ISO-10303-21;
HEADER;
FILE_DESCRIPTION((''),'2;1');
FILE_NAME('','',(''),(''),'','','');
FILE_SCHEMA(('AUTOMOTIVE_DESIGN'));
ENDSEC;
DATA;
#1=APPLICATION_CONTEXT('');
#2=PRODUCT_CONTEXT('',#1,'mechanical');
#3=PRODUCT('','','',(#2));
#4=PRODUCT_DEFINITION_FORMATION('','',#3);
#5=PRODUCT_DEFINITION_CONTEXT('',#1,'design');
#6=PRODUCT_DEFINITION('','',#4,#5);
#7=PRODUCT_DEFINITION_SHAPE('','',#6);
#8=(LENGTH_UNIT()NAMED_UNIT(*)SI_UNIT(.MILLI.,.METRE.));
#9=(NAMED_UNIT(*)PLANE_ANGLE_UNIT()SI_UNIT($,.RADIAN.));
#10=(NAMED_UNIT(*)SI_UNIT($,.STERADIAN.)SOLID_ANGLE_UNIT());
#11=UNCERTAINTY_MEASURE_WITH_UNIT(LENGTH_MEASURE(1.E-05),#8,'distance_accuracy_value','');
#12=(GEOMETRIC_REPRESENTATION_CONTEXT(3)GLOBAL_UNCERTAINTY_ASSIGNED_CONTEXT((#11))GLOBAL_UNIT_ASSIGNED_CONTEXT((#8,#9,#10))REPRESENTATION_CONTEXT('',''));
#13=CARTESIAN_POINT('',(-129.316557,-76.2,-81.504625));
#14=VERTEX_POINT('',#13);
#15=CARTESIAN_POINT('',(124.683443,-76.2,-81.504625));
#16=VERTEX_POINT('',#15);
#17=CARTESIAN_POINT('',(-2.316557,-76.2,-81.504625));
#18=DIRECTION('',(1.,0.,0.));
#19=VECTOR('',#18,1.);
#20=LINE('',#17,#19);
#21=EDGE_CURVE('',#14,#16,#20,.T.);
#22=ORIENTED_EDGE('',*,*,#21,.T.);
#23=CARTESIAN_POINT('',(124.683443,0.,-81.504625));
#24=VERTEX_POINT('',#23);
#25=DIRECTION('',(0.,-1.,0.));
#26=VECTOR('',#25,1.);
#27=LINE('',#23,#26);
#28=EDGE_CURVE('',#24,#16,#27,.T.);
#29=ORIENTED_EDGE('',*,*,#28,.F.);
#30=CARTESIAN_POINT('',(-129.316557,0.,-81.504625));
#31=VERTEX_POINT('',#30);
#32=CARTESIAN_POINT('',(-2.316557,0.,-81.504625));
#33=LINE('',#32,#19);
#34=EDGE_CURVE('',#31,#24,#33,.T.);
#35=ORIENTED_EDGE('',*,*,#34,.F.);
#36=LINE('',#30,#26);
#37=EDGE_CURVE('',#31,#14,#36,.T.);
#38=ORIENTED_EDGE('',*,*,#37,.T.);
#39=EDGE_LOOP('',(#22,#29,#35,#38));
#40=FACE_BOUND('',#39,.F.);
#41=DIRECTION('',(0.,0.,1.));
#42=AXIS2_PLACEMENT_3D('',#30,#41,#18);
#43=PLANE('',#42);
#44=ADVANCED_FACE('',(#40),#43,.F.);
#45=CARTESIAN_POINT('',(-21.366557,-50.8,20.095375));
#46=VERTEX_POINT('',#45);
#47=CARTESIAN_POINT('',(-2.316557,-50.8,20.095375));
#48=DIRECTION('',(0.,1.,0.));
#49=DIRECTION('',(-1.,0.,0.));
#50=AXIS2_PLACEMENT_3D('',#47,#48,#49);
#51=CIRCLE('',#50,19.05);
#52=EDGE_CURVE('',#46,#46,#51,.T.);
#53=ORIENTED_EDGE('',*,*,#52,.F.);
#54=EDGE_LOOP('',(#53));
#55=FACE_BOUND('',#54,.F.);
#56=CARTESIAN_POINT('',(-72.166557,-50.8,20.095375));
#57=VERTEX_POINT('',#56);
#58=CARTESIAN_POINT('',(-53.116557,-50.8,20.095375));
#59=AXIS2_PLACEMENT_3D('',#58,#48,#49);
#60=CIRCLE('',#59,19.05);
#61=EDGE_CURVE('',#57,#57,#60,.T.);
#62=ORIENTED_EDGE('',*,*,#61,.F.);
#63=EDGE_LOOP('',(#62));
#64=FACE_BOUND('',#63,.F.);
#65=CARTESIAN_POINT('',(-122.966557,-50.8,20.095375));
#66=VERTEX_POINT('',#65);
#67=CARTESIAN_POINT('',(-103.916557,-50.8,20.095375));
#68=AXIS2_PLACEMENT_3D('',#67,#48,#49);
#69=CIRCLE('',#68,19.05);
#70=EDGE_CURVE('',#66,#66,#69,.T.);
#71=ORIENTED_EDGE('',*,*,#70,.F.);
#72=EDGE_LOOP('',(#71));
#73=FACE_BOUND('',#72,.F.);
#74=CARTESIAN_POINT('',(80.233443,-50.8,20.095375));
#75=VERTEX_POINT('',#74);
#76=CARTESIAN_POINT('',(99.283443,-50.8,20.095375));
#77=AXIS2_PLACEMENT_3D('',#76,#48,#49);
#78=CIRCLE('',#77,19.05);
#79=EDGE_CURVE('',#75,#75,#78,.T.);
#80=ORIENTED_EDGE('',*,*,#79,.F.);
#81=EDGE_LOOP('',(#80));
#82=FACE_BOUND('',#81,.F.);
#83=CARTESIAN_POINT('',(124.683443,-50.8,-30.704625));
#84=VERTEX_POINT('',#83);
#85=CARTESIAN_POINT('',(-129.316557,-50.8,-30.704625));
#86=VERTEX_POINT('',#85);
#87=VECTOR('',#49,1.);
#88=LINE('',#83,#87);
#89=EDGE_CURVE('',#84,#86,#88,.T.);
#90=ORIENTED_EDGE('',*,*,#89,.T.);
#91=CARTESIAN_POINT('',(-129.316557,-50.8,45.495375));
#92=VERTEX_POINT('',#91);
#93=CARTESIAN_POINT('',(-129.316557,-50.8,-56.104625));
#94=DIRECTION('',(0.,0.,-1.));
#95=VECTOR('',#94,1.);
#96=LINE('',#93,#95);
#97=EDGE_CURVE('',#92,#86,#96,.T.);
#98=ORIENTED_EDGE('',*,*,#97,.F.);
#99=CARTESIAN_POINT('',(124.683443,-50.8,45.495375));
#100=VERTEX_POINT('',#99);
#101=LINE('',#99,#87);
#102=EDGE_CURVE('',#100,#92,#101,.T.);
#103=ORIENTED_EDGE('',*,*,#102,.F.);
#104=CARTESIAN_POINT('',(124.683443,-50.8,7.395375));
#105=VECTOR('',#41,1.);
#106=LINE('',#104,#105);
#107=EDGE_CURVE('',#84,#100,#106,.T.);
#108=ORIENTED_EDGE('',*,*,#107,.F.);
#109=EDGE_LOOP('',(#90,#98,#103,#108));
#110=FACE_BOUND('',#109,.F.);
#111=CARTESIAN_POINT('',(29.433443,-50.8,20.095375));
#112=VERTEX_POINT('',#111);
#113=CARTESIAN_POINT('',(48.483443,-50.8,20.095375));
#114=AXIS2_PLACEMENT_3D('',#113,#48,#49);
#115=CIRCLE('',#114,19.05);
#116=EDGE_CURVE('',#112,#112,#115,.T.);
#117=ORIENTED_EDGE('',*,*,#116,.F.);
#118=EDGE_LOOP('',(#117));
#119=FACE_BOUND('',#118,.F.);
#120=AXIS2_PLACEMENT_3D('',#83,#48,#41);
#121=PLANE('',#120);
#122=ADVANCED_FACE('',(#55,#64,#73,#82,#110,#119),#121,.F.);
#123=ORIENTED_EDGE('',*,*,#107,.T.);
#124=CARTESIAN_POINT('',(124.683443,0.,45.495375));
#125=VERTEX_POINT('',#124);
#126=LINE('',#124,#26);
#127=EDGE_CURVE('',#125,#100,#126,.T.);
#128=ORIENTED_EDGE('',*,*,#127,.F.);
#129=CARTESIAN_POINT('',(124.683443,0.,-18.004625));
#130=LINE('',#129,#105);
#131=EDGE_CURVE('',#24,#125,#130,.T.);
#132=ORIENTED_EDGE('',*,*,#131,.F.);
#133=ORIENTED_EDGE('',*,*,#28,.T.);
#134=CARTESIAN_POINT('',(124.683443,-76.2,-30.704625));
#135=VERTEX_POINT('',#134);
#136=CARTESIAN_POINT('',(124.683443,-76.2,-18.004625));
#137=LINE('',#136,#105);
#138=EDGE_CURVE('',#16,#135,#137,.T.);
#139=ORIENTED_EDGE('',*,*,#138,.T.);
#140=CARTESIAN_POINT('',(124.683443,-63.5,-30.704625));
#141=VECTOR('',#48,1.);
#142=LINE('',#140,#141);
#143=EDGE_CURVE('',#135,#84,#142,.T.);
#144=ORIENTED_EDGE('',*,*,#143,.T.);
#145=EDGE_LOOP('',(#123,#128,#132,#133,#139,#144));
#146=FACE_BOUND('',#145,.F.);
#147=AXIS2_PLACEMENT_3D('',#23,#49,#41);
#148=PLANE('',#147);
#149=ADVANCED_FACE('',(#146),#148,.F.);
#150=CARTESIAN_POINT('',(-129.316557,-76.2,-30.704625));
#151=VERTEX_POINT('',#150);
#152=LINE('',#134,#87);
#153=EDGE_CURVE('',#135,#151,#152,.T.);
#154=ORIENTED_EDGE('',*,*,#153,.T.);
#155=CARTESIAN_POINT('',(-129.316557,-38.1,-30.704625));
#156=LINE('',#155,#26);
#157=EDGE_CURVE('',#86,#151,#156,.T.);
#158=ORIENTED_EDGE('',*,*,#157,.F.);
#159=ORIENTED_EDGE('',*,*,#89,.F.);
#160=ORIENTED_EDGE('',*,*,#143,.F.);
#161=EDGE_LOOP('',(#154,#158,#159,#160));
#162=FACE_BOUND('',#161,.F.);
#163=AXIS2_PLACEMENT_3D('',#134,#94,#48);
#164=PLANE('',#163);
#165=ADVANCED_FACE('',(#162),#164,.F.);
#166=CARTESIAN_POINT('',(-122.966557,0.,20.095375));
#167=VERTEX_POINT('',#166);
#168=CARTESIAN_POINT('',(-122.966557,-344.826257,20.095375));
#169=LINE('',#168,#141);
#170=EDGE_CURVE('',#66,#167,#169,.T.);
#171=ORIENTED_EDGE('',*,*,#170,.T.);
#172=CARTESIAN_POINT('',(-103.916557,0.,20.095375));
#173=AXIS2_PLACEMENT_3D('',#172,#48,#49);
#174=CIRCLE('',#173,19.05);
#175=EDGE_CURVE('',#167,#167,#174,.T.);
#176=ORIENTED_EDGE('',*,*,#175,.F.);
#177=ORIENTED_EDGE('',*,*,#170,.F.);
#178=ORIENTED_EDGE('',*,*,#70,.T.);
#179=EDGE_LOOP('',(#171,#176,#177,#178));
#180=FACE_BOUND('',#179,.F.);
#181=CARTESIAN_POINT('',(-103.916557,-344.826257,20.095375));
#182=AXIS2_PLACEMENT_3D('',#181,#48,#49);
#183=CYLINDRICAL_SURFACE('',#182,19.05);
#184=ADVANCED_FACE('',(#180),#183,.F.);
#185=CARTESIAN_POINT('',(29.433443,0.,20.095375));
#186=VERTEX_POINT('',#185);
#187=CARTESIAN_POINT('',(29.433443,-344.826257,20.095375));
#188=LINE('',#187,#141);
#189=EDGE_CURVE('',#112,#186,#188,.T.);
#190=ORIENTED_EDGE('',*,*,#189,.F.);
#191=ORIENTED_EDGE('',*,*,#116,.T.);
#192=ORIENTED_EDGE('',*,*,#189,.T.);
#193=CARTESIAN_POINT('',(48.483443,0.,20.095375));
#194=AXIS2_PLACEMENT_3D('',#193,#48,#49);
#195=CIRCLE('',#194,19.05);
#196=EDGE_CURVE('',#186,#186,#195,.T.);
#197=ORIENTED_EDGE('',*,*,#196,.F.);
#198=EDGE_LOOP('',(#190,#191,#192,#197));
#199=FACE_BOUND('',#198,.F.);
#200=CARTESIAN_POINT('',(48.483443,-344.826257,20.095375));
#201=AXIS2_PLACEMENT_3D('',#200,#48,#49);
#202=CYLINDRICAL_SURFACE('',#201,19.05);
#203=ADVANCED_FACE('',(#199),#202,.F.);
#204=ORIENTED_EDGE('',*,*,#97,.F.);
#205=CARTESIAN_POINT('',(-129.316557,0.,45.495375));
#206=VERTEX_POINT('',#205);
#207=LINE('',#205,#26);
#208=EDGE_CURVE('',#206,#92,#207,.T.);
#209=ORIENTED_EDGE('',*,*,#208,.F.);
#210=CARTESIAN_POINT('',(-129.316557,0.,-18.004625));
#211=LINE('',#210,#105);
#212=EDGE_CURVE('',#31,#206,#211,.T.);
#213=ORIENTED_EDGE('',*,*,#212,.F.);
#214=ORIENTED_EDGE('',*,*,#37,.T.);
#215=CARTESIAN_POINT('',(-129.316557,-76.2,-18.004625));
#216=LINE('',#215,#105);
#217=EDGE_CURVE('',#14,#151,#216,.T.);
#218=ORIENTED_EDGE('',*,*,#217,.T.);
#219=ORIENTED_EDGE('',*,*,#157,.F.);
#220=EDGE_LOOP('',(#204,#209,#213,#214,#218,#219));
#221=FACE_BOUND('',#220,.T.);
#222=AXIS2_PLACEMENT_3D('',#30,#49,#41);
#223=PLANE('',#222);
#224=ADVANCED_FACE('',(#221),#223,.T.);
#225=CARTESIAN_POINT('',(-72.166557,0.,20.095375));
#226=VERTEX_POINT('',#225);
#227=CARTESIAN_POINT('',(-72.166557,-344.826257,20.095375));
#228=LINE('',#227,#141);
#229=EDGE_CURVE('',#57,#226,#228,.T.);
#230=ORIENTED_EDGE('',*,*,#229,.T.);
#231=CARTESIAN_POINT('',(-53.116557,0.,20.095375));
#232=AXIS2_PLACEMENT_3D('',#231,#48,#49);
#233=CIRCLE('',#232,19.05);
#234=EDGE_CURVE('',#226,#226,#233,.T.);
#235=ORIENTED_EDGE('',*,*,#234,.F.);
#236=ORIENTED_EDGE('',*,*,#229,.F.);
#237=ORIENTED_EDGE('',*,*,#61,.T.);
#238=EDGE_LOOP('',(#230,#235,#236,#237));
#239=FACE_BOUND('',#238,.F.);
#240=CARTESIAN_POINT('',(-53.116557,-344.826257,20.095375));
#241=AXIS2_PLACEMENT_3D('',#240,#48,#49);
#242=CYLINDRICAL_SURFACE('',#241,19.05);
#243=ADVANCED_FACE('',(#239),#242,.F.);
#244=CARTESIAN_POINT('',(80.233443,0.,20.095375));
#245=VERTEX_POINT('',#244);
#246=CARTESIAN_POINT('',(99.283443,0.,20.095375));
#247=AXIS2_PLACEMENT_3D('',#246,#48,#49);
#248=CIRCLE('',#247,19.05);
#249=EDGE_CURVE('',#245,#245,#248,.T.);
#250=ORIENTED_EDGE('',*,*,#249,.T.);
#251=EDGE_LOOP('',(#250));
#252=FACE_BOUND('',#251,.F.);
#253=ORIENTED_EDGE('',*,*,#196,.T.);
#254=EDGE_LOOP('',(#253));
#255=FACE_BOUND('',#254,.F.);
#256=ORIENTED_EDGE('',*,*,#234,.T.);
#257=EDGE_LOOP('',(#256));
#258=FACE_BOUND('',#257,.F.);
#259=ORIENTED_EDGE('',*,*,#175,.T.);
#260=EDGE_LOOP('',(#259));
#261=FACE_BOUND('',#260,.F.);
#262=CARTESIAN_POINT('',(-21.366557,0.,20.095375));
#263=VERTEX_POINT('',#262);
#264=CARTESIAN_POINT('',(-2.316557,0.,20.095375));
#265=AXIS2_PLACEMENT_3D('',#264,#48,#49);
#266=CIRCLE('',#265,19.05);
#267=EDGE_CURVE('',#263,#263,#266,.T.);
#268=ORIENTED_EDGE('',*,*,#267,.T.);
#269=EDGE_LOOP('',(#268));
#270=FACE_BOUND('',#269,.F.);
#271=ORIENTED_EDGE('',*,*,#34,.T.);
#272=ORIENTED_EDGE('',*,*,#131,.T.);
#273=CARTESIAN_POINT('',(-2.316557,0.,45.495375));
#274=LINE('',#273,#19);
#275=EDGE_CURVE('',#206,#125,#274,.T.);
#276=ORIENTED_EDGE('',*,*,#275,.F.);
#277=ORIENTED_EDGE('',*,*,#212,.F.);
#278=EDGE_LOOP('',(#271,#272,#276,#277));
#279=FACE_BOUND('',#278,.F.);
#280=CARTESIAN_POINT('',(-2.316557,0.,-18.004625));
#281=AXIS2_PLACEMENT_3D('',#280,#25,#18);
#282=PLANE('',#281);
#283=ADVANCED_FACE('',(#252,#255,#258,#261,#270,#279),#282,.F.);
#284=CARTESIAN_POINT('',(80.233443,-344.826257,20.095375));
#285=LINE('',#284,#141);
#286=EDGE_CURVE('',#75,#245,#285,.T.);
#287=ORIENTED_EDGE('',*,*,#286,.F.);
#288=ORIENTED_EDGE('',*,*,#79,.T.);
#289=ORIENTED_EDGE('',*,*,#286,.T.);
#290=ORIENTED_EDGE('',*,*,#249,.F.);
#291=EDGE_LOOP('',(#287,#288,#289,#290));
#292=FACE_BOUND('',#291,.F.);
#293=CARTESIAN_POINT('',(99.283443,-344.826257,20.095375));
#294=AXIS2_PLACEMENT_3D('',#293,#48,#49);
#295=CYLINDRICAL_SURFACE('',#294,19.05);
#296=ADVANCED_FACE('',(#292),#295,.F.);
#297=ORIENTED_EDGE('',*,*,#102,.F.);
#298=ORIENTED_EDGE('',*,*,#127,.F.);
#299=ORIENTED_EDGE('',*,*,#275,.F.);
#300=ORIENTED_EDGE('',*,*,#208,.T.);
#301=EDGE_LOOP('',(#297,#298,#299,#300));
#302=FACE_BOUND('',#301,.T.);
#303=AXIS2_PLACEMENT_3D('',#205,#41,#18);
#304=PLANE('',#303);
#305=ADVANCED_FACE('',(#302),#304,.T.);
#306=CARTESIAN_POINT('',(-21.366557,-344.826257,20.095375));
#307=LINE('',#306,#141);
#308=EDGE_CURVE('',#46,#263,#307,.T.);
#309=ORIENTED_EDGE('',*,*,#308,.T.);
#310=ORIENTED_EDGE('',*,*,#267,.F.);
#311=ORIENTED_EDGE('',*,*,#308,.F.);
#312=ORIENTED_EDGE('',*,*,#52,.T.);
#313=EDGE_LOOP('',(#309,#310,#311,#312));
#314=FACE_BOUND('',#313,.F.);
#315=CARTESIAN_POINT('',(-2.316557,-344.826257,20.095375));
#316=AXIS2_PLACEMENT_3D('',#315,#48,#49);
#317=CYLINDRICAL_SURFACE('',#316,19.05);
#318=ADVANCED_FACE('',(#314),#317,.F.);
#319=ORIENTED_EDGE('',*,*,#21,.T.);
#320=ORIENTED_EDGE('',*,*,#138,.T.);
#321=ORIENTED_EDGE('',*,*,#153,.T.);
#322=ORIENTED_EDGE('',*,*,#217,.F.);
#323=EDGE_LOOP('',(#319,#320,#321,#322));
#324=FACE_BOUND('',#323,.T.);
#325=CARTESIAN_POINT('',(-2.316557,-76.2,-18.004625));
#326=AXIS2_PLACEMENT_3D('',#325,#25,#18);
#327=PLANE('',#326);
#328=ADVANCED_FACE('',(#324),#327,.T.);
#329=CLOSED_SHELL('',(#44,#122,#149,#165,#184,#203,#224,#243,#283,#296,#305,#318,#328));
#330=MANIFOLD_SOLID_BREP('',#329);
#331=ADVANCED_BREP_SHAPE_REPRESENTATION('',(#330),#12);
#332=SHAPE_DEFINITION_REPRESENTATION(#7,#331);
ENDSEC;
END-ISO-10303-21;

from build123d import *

# Parameters (mm, degrees)
F0_W     = 254
F0_H     = 127
F1_DEPTH = 76.2
F2_W     = 25.4
F2_H     = 76.2
F3_DEPTH = 255.778
F5_D     = 38.1
F6_D     = 38.1
F7_D     = 38.1


with BuildPart() as f1:
    # F0 (on Front) → F1 (new body)
    with BuildSketch(Plane.XZ):
        with Locations((-2.316557, -18.004625)):
            Rectangle(F0_W, F0_H)
    extrude(amount=F1_DEPTH)

    # F2 (on face) → F3 (cut)
    with BuildSketch(Plane.YZ.offset(124.683443)):
        with Locations((-63.5, 7.395375)):
            Rectangle(F2_W, F2_H)
    extrude(amount=-F3_DEPTH, mode=Mode.SUBTRACT)

    # F5 (through all)
    with Locations(Plane.XZ.offset(50.8)):
        with Locations((-103.916557, 20.095375)):
            Hole(F5_D / 2)

    # F6 (through all)
    with Locations(Plane.XZ.offset(50.8)):
        with Locations((-53.116557, 20.095375)):
            Hole(F6_D / 2)

    # F7 (through all)
    with Locations(Plane.XZ.offset(50.8)):
        with Locations((-2.316557, 20.095375), (48.483443, 20.095375), (99.283443, 20.095375)):
            Hole(F7_D / 2)


solid = f1.part
